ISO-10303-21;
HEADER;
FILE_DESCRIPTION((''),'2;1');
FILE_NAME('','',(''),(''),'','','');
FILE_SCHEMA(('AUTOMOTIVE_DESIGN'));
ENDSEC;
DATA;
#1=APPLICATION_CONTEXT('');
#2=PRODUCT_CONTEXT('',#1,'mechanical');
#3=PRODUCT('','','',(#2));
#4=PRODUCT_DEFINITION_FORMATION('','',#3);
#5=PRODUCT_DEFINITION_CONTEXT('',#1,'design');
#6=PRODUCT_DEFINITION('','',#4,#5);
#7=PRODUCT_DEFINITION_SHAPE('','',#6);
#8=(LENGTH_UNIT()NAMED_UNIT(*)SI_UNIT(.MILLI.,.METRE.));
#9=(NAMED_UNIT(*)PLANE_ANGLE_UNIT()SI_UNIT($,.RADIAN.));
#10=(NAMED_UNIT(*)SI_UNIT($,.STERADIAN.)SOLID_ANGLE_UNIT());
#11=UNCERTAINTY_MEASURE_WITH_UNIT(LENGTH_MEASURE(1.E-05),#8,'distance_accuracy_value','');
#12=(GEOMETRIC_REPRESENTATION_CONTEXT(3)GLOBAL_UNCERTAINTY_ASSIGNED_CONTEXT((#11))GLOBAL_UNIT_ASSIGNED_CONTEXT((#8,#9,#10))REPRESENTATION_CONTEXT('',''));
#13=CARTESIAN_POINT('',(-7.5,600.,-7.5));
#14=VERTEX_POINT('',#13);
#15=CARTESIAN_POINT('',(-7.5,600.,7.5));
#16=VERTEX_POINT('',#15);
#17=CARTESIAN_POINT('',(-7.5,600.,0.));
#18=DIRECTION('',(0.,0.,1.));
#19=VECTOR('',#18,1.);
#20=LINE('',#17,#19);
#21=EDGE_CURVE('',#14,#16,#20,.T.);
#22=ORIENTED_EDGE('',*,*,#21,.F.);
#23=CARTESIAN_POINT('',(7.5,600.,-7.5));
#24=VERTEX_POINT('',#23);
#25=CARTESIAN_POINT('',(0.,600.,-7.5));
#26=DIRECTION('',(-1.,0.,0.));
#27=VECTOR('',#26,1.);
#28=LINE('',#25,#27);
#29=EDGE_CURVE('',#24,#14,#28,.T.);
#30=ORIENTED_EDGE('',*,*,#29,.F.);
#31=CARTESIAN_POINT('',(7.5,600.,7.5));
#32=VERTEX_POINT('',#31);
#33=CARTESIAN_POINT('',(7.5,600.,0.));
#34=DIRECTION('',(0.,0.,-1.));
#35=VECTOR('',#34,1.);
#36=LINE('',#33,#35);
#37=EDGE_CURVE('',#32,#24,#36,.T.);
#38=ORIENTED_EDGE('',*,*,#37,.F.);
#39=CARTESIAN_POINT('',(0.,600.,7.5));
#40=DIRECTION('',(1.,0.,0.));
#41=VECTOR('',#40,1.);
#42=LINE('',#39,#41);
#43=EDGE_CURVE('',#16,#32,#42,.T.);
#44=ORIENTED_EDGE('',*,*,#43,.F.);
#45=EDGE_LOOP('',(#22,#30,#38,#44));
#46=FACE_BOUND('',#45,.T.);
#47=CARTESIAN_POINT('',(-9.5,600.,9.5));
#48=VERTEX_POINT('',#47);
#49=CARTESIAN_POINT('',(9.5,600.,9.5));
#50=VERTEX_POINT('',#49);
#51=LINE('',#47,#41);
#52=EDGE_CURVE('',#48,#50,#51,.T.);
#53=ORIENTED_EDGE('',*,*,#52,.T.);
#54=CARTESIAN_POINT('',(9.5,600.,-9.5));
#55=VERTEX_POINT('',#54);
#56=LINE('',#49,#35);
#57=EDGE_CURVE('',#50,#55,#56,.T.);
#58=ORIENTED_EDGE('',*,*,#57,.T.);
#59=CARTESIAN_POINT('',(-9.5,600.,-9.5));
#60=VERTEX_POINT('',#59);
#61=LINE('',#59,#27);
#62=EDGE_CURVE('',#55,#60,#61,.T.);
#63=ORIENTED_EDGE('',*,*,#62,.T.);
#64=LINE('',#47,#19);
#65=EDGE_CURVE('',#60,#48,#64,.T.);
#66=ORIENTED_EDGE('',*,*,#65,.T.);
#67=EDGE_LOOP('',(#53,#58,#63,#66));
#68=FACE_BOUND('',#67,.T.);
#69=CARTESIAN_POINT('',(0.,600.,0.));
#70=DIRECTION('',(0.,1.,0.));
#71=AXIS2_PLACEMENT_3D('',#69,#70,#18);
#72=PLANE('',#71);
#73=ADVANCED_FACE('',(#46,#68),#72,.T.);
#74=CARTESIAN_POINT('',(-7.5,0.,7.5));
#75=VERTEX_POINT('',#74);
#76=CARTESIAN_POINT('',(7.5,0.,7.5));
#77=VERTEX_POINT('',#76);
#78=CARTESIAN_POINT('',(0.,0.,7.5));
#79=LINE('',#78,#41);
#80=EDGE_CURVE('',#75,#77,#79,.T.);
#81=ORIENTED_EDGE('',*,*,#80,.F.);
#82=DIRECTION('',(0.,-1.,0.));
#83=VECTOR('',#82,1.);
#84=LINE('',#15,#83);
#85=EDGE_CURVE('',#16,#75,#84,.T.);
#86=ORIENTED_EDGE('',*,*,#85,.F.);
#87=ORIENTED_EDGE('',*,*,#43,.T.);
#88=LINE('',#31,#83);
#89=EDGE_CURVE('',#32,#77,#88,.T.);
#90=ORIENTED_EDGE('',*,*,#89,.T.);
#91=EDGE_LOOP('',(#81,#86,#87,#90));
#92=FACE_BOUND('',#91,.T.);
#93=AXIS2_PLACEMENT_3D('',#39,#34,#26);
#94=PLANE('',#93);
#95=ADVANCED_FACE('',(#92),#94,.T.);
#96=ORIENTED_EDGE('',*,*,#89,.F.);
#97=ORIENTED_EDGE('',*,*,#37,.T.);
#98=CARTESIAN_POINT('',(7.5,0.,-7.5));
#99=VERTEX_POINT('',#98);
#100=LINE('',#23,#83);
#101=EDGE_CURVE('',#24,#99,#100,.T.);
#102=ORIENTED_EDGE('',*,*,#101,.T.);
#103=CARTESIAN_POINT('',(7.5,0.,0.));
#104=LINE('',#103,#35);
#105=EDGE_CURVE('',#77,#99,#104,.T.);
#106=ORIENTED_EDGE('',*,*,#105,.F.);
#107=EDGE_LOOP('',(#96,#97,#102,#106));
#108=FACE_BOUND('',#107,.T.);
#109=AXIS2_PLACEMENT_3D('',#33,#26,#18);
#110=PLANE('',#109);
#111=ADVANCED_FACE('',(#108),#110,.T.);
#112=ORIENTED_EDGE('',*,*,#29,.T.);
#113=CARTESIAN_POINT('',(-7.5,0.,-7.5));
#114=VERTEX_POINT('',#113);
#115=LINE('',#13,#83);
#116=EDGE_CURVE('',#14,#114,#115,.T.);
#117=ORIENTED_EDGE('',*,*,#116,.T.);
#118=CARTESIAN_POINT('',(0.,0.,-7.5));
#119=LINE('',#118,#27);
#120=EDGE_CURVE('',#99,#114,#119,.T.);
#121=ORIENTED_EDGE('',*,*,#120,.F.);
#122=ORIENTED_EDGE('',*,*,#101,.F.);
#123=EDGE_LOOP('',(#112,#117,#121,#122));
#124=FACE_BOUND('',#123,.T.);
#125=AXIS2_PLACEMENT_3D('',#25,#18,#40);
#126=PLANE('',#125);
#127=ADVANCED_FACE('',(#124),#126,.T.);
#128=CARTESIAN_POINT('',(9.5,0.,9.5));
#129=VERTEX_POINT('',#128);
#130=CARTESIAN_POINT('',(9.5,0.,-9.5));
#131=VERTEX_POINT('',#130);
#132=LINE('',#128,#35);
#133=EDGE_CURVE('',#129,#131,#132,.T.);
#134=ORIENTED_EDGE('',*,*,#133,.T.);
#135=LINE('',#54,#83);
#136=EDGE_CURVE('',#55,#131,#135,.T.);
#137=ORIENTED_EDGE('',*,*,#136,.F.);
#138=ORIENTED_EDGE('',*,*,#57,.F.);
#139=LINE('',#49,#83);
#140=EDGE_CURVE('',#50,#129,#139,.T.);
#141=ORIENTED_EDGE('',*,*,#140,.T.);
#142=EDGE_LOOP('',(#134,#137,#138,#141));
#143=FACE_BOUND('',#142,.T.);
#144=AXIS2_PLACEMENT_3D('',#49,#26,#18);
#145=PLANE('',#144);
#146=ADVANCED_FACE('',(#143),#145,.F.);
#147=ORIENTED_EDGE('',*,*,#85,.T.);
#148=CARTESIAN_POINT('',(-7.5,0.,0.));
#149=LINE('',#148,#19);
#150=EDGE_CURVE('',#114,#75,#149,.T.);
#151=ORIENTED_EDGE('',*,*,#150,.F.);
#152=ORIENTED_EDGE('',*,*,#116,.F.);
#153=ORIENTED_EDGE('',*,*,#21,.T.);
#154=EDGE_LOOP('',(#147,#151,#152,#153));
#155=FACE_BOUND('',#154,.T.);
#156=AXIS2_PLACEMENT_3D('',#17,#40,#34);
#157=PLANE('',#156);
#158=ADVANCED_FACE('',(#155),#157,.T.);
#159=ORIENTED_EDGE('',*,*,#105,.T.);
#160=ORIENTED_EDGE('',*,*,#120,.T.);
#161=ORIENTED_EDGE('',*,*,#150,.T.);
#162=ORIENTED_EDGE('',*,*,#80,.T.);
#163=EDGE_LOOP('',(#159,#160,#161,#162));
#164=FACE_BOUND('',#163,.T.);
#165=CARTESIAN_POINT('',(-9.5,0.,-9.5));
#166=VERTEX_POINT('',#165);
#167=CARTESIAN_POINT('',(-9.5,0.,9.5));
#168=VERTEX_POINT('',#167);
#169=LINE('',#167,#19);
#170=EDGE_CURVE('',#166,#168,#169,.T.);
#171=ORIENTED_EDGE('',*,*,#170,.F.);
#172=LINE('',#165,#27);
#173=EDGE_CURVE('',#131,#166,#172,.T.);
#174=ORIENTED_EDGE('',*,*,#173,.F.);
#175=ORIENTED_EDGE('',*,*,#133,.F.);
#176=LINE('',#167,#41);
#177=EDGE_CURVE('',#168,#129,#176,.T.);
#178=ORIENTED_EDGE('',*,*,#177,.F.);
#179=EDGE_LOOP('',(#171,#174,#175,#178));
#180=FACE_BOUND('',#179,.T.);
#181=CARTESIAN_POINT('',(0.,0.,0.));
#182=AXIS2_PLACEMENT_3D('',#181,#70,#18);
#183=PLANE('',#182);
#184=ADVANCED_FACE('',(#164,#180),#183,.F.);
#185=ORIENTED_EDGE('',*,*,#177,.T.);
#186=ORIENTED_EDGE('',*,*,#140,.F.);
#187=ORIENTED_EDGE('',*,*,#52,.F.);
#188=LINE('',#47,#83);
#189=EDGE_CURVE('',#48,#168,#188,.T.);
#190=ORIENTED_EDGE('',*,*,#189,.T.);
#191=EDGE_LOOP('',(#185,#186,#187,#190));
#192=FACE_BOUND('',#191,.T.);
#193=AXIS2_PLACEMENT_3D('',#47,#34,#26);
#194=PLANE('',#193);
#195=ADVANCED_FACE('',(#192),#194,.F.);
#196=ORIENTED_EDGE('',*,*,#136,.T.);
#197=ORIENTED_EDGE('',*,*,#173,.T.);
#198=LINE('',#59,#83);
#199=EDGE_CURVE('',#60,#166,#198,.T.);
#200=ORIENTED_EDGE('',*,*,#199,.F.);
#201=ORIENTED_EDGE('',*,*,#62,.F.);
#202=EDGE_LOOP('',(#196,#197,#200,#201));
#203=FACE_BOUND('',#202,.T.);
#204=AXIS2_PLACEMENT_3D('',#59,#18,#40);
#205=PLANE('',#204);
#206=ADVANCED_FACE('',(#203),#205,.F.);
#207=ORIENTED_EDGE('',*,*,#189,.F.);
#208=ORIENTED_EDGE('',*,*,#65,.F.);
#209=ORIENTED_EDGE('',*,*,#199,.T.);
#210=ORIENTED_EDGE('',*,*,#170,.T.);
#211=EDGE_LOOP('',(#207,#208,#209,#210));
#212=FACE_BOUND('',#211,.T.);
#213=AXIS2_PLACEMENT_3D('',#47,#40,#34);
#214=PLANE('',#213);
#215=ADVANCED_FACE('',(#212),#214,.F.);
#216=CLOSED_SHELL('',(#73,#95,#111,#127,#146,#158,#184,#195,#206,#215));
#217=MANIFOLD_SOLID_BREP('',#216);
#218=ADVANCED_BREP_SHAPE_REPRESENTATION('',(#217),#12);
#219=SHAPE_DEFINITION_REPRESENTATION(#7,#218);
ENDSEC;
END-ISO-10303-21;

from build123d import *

# Parameters (mm, degrees)
SKETCH1_W           = 19
SKETCH1_H           = 19
SKETCH1_W_2         = 15
SKETCH1_H_2         = 15
EXTRUDE_THIN1_DEPTH = 600


with BuildPart() as part:
    # Sketch1 → Extrude-Thin1 (new body)
    with BuildSketch(Plane(origin=(0, 0, 0), x_dir=(1, 0, 0), z_dir=(0, 1, 0))):
        Rectangle(SKETCH1_W, SKETCH1_H)
        Rectangle(SKETCH1_W_2, SKETCH1_H_2, mode=Mode.SUBTRACT)
    extrude(amount=EXTRUDE_THIN1_DEPTH)


solid = part.part
